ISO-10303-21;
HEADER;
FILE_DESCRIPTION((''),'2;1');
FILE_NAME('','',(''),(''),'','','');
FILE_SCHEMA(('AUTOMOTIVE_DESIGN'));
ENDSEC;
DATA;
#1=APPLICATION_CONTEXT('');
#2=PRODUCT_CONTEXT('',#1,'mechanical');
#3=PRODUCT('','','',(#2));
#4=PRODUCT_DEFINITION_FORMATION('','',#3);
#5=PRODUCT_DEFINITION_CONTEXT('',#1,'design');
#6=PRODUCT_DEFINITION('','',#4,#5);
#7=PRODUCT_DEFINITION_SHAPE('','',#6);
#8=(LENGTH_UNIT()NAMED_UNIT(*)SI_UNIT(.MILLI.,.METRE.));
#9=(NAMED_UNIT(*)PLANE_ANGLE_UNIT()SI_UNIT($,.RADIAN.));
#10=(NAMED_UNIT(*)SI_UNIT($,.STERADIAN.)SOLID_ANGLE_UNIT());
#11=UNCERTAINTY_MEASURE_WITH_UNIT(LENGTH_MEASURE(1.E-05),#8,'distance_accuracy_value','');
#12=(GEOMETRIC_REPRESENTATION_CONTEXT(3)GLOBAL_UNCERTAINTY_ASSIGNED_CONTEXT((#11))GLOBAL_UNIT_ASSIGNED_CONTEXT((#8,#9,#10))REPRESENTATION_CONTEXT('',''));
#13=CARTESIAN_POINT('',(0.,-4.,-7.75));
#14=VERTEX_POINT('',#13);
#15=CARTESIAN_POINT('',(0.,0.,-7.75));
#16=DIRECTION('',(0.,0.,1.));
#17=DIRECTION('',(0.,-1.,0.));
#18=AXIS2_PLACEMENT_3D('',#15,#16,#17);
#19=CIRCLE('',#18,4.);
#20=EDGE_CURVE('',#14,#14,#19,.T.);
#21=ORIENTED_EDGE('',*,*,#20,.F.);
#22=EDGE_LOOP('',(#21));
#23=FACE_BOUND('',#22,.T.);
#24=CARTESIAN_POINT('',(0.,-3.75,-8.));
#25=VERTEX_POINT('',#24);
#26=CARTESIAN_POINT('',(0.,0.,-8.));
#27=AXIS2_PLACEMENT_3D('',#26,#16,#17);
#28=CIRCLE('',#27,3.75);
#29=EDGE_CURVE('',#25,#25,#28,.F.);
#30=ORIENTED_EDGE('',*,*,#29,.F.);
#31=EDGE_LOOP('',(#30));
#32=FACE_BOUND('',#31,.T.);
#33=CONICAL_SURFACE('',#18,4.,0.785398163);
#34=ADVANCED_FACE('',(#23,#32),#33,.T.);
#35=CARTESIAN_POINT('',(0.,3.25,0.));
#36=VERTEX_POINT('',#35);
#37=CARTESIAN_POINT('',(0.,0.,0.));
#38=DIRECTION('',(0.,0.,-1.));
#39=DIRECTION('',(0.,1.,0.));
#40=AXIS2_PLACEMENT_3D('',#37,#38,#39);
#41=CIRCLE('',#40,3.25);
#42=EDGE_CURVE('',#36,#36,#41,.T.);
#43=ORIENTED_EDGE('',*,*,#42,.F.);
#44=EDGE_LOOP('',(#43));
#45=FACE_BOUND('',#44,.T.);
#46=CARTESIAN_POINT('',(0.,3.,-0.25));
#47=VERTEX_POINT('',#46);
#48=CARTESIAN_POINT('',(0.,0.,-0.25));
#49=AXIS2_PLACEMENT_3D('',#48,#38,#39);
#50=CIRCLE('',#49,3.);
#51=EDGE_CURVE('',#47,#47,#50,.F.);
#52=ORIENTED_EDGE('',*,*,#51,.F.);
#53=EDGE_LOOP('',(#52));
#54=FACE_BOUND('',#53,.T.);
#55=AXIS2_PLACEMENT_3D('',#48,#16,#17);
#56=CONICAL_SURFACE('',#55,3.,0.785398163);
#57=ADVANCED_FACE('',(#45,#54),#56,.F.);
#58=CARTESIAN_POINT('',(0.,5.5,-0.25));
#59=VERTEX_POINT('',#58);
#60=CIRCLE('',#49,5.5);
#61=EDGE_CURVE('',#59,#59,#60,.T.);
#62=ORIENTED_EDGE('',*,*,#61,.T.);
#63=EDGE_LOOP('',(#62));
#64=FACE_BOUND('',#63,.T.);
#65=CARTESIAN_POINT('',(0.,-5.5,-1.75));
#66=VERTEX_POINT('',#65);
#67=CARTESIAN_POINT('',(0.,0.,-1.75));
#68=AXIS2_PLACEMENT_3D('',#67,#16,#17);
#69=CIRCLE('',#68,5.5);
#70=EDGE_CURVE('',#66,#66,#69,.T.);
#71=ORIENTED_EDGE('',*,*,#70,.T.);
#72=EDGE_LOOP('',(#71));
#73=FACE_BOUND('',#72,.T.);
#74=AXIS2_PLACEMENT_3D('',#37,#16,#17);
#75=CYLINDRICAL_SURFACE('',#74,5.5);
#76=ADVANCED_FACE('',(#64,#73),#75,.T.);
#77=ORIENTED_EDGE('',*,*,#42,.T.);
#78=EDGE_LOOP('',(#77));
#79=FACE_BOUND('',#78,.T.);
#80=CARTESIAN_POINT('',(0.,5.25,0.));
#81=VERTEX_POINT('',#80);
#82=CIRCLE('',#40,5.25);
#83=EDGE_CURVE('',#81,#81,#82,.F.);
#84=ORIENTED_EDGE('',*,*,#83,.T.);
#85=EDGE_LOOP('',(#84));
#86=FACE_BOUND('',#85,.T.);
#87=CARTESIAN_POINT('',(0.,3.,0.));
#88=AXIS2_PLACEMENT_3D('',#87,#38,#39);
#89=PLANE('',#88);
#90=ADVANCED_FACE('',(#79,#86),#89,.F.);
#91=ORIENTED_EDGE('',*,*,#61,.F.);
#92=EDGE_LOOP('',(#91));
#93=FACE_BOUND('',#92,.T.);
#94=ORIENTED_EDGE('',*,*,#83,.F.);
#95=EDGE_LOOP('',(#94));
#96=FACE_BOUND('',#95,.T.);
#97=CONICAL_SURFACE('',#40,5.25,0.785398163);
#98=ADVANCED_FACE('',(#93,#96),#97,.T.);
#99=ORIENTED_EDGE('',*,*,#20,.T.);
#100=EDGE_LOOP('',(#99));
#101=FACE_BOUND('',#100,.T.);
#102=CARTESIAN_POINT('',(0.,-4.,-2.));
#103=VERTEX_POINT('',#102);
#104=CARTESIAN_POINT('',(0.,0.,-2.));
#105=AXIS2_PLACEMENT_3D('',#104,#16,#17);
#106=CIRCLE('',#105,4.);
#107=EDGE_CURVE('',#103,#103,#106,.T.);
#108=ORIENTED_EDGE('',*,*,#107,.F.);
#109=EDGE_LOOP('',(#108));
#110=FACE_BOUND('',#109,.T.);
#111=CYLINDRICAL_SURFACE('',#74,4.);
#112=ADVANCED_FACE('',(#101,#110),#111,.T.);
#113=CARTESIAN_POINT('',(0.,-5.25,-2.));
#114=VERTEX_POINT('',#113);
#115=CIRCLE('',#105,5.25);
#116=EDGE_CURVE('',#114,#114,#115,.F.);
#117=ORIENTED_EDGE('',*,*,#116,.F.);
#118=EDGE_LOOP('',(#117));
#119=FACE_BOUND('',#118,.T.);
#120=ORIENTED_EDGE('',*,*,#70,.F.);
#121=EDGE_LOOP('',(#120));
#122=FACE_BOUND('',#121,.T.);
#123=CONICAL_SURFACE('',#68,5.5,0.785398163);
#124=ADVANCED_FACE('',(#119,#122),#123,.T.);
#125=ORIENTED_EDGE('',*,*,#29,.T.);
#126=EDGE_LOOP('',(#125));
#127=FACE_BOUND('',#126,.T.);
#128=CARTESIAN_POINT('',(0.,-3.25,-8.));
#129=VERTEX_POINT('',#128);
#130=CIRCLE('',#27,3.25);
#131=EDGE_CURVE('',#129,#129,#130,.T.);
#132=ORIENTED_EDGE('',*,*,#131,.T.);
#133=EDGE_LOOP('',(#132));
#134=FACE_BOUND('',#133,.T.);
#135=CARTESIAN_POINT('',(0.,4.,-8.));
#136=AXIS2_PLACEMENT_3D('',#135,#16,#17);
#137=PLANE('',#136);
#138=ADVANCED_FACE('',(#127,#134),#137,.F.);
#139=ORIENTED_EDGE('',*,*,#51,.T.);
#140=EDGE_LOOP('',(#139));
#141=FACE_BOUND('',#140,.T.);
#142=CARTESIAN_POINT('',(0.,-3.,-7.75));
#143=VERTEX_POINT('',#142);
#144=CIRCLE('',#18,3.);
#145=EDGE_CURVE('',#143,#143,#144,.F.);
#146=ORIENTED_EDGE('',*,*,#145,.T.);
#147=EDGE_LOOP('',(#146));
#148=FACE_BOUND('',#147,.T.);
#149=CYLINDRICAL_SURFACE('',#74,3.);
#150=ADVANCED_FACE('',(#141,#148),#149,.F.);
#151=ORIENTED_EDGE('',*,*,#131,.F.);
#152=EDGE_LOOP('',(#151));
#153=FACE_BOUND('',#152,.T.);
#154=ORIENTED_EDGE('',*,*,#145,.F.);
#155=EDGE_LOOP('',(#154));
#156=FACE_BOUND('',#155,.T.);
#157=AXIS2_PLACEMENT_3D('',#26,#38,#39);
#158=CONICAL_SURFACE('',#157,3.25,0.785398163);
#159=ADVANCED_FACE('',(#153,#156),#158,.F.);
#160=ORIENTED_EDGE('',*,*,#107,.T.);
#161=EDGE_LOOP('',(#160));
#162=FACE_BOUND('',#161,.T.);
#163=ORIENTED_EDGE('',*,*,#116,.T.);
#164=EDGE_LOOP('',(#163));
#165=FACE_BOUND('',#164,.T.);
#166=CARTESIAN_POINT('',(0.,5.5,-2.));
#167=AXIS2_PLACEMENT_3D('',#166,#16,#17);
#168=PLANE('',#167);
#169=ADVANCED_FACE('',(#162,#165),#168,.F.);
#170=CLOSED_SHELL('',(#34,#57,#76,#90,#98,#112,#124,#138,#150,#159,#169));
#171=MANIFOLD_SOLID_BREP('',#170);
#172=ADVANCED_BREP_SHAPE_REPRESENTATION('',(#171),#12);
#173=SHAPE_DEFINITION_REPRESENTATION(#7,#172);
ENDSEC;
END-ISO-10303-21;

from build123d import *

# Parameters (mm, degrees)
CHAMFER1_SIZE = 0.25


with BuildPart() as part:
    # Sketch1 → Revolve1 (revolve)
    with BuildSketch(Plane(origin=(0, 0, 0), x_dir=(0, 0, -1), z_dir=(1, 0, 0)), mode=Mode.PRIVATE) as revolve1_sk:
        Polygon((0, 3), (0, 5.5), (2, 5.5), (2, 4), (8, 4), (8, 3), align=None)
    revolve(revolve1_sk.sketch.rotate(Axis((0, 0, 0), (0, 0, -1)), 180), axis=Axis((0, 0, 0), (0, 0, -1)))  # turned: the seam where the file's is

    # Chamfer1
    chamfer1_edges = [part.edges().sort_by_distance(p)[0] for p in [
        (0, 3, -8),
        (0, 4, -8),
        (0, 5.5, -2),
        (0, 5.5, 0),
        (0, 3, 0),
    ]]
    chamfer(chamfer1_edges, length=CHAMFER1_SIZE)


solid = part.part
